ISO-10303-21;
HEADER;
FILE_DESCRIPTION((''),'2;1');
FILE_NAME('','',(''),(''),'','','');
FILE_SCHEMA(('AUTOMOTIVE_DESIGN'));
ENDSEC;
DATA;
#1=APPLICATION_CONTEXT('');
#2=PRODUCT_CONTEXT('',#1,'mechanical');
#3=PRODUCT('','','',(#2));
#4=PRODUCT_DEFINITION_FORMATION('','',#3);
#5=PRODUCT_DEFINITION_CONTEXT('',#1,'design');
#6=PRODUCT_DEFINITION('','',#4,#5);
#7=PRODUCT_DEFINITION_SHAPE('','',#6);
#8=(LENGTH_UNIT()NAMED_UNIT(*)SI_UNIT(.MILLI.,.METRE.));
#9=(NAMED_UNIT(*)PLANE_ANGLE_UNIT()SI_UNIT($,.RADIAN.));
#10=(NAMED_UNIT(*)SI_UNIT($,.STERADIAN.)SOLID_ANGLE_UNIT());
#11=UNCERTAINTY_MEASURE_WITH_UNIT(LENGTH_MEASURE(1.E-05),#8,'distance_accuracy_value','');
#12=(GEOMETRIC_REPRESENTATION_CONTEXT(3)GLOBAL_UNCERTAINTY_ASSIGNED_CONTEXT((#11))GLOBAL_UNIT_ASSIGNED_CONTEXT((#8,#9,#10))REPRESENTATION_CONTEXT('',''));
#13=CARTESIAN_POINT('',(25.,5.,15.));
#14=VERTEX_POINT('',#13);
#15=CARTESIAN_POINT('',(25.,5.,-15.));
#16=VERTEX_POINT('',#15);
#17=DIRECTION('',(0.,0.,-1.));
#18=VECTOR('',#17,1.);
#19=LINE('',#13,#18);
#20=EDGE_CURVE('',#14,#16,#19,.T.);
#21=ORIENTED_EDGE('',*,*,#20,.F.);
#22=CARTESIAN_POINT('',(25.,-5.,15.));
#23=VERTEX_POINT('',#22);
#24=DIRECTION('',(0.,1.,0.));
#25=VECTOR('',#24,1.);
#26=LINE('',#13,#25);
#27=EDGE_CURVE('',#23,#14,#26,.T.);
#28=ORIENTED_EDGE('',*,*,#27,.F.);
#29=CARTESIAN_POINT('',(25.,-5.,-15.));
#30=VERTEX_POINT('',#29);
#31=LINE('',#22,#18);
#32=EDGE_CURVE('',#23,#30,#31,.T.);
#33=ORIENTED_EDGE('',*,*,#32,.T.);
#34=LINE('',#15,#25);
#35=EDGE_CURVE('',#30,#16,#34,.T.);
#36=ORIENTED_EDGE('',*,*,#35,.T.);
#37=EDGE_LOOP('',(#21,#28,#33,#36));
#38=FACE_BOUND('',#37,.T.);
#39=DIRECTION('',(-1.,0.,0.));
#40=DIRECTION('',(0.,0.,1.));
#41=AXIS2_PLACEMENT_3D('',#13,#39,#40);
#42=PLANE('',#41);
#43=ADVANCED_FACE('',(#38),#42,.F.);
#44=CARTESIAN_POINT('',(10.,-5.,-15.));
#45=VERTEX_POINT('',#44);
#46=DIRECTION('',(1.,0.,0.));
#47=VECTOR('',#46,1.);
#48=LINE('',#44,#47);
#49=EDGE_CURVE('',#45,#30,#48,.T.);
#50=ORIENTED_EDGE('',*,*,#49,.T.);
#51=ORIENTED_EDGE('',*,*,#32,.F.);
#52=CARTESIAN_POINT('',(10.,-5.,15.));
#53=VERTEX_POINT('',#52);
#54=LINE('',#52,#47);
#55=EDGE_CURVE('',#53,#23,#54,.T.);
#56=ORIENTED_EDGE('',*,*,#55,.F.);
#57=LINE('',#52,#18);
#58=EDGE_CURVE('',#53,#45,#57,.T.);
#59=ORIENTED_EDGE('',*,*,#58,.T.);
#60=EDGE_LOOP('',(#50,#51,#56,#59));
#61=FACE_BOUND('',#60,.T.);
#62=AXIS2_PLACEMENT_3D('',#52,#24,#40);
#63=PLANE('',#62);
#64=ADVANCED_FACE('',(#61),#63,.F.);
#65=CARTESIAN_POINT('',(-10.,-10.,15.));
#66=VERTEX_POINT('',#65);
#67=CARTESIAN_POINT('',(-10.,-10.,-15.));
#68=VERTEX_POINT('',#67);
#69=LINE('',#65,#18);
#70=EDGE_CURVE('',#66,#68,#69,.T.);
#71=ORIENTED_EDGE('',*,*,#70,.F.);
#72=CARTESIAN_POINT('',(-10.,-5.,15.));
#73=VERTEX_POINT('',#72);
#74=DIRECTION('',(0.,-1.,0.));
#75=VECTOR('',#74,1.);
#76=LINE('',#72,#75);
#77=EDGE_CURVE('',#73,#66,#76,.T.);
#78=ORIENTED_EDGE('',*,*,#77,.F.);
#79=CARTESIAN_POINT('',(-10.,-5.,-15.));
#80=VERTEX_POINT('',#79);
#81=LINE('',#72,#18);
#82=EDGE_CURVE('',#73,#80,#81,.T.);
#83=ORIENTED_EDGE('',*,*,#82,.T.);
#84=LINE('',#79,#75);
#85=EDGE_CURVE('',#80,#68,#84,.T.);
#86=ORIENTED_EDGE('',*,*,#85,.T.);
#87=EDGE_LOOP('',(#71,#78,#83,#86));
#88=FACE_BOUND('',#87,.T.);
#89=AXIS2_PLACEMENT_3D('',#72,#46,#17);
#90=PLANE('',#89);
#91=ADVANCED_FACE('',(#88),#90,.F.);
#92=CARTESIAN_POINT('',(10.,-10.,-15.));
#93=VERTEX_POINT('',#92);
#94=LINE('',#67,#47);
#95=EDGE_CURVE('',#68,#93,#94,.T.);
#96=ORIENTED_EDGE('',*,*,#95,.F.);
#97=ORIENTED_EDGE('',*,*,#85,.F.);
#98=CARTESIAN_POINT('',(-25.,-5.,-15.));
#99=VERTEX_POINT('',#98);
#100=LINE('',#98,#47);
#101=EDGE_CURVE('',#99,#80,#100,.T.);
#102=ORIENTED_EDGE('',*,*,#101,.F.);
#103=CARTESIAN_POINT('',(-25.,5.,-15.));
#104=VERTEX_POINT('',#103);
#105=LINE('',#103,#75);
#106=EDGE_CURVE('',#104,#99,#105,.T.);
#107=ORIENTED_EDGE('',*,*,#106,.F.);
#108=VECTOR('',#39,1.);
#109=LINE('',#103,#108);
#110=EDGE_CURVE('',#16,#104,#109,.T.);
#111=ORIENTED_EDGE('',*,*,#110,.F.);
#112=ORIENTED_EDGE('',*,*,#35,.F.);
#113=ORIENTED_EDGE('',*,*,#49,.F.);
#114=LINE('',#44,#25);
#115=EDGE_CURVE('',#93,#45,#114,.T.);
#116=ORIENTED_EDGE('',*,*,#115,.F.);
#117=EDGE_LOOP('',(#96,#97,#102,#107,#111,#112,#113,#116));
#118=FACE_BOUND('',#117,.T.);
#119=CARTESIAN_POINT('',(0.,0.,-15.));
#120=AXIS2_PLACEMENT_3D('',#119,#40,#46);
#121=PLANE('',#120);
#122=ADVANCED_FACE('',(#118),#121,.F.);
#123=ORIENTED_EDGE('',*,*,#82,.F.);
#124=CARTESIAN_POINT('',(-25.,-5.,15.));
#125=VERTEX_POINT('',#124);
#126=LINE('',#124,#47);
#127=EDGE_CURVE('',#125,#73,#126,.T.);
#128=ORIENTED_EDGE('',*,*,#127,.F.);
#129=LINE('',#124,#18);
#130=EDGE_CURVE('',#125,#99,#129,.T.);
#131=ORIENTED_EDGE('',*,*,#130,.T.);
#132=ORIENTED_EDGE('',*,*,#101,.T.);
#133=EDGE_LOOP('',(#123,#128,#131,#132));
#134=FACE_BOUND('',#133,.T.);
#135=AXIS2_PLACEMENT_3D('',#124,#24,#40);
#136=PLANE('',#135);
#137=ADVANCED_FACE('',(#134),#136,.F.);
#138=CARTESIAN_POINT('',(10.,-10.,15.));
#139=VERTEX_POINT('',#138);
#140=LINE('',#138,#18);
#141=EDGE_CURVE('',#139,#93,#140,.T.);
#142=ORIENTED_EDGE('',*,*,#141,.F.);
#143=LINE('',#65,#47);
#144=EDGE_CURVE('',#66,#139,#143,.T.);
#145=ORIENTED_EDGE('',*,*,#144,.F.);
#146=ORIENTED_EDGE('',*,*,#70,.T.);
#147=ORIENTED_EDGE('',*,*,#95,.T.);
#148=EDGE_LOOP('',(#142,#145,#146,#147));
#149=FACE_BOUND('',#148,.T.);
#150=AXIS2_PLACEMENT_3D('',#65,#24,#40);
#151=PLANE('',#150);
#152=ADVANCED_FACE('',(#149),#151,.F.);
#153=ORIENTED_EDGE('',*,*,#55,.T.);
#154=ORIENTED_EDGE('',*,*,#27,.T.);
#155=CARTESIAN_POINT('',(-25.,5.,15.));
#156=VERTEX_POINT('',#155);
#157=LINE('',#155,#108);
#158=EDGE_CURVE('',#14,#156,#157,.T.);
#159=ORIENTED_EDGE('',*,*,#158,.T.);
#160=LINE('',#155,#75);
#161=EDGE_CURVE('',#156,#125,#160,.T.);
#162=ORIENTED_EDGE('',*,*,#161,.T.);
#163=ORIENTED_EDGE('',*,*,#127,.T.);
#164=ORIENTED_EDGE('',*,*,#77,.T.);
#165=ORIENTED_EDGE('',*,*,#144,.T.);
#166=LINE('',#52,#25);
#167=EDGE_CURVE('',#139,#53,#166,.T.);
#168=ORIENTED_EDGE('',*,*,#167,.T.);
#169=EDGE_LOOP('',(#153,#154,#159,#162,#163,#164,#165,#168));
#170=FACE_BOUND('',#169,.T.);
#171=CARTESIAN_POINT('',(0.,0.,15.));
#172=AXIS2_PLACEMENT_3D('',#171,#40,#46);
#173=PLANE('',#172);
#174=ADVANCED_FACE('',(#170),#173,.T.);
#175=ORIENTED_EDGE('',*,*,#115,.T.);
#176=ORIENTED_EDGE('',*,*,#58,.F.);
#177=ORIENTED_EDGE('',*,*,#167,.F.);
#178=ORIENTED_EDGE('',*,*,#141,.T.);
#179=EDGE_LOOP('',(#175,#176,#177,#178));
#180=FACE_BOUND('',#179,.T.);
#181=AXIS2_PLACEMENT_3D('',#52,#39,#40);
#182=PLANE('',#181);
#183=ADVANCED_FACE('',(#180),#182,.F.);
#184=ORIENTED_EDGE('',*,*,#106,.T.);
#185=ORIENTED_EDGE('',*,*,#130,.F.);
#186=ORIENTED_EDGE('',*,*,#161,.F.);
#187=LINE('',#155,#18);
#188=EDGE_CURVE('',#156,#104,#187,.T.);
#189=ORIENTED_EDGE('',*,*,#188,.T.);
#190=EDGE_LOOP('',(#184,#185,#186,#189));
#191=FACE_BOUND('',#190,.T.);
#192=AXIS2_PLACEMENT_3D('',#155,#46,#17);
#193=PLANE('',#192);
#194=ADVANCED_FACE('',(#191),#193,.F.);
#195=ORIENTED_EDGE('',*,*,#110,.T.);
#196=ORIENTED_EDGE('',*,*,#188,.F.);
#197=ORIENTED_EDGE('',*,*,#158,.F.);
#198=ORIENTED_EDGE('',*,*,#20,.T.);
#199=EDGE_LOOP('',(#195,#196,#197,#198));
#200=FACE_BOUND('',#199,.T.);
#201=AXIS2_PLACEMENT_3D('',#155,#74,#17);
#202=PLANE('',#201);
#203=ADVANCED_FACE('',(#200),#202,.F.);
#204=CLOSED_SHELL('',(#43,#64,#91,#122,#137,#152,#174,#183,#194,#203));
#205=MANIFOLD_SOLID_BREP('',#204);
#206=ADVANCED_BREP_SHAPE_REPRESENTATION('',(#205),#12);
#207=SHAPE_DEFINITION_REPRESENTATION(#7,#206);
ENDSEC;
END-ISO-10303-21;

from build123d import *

# Parameters (mm, degrees)
BOSS_EXTRUDE1_DEPTH = 15


with BuildPart() as part:
    # Sketch1 → Boss-Extrude1 (new, symmetric)
    with BuildSketch(Plane.XY):
        Polygon((10, -5), (25, -5), (25, 5), (-25, 5), (-25, -5), (-10, -5), (-10, -10), (10, -10), align=None)
    extrude(amount=BOSS_EXTRUDE1_DEPTH, both=True)


solid = part.part
